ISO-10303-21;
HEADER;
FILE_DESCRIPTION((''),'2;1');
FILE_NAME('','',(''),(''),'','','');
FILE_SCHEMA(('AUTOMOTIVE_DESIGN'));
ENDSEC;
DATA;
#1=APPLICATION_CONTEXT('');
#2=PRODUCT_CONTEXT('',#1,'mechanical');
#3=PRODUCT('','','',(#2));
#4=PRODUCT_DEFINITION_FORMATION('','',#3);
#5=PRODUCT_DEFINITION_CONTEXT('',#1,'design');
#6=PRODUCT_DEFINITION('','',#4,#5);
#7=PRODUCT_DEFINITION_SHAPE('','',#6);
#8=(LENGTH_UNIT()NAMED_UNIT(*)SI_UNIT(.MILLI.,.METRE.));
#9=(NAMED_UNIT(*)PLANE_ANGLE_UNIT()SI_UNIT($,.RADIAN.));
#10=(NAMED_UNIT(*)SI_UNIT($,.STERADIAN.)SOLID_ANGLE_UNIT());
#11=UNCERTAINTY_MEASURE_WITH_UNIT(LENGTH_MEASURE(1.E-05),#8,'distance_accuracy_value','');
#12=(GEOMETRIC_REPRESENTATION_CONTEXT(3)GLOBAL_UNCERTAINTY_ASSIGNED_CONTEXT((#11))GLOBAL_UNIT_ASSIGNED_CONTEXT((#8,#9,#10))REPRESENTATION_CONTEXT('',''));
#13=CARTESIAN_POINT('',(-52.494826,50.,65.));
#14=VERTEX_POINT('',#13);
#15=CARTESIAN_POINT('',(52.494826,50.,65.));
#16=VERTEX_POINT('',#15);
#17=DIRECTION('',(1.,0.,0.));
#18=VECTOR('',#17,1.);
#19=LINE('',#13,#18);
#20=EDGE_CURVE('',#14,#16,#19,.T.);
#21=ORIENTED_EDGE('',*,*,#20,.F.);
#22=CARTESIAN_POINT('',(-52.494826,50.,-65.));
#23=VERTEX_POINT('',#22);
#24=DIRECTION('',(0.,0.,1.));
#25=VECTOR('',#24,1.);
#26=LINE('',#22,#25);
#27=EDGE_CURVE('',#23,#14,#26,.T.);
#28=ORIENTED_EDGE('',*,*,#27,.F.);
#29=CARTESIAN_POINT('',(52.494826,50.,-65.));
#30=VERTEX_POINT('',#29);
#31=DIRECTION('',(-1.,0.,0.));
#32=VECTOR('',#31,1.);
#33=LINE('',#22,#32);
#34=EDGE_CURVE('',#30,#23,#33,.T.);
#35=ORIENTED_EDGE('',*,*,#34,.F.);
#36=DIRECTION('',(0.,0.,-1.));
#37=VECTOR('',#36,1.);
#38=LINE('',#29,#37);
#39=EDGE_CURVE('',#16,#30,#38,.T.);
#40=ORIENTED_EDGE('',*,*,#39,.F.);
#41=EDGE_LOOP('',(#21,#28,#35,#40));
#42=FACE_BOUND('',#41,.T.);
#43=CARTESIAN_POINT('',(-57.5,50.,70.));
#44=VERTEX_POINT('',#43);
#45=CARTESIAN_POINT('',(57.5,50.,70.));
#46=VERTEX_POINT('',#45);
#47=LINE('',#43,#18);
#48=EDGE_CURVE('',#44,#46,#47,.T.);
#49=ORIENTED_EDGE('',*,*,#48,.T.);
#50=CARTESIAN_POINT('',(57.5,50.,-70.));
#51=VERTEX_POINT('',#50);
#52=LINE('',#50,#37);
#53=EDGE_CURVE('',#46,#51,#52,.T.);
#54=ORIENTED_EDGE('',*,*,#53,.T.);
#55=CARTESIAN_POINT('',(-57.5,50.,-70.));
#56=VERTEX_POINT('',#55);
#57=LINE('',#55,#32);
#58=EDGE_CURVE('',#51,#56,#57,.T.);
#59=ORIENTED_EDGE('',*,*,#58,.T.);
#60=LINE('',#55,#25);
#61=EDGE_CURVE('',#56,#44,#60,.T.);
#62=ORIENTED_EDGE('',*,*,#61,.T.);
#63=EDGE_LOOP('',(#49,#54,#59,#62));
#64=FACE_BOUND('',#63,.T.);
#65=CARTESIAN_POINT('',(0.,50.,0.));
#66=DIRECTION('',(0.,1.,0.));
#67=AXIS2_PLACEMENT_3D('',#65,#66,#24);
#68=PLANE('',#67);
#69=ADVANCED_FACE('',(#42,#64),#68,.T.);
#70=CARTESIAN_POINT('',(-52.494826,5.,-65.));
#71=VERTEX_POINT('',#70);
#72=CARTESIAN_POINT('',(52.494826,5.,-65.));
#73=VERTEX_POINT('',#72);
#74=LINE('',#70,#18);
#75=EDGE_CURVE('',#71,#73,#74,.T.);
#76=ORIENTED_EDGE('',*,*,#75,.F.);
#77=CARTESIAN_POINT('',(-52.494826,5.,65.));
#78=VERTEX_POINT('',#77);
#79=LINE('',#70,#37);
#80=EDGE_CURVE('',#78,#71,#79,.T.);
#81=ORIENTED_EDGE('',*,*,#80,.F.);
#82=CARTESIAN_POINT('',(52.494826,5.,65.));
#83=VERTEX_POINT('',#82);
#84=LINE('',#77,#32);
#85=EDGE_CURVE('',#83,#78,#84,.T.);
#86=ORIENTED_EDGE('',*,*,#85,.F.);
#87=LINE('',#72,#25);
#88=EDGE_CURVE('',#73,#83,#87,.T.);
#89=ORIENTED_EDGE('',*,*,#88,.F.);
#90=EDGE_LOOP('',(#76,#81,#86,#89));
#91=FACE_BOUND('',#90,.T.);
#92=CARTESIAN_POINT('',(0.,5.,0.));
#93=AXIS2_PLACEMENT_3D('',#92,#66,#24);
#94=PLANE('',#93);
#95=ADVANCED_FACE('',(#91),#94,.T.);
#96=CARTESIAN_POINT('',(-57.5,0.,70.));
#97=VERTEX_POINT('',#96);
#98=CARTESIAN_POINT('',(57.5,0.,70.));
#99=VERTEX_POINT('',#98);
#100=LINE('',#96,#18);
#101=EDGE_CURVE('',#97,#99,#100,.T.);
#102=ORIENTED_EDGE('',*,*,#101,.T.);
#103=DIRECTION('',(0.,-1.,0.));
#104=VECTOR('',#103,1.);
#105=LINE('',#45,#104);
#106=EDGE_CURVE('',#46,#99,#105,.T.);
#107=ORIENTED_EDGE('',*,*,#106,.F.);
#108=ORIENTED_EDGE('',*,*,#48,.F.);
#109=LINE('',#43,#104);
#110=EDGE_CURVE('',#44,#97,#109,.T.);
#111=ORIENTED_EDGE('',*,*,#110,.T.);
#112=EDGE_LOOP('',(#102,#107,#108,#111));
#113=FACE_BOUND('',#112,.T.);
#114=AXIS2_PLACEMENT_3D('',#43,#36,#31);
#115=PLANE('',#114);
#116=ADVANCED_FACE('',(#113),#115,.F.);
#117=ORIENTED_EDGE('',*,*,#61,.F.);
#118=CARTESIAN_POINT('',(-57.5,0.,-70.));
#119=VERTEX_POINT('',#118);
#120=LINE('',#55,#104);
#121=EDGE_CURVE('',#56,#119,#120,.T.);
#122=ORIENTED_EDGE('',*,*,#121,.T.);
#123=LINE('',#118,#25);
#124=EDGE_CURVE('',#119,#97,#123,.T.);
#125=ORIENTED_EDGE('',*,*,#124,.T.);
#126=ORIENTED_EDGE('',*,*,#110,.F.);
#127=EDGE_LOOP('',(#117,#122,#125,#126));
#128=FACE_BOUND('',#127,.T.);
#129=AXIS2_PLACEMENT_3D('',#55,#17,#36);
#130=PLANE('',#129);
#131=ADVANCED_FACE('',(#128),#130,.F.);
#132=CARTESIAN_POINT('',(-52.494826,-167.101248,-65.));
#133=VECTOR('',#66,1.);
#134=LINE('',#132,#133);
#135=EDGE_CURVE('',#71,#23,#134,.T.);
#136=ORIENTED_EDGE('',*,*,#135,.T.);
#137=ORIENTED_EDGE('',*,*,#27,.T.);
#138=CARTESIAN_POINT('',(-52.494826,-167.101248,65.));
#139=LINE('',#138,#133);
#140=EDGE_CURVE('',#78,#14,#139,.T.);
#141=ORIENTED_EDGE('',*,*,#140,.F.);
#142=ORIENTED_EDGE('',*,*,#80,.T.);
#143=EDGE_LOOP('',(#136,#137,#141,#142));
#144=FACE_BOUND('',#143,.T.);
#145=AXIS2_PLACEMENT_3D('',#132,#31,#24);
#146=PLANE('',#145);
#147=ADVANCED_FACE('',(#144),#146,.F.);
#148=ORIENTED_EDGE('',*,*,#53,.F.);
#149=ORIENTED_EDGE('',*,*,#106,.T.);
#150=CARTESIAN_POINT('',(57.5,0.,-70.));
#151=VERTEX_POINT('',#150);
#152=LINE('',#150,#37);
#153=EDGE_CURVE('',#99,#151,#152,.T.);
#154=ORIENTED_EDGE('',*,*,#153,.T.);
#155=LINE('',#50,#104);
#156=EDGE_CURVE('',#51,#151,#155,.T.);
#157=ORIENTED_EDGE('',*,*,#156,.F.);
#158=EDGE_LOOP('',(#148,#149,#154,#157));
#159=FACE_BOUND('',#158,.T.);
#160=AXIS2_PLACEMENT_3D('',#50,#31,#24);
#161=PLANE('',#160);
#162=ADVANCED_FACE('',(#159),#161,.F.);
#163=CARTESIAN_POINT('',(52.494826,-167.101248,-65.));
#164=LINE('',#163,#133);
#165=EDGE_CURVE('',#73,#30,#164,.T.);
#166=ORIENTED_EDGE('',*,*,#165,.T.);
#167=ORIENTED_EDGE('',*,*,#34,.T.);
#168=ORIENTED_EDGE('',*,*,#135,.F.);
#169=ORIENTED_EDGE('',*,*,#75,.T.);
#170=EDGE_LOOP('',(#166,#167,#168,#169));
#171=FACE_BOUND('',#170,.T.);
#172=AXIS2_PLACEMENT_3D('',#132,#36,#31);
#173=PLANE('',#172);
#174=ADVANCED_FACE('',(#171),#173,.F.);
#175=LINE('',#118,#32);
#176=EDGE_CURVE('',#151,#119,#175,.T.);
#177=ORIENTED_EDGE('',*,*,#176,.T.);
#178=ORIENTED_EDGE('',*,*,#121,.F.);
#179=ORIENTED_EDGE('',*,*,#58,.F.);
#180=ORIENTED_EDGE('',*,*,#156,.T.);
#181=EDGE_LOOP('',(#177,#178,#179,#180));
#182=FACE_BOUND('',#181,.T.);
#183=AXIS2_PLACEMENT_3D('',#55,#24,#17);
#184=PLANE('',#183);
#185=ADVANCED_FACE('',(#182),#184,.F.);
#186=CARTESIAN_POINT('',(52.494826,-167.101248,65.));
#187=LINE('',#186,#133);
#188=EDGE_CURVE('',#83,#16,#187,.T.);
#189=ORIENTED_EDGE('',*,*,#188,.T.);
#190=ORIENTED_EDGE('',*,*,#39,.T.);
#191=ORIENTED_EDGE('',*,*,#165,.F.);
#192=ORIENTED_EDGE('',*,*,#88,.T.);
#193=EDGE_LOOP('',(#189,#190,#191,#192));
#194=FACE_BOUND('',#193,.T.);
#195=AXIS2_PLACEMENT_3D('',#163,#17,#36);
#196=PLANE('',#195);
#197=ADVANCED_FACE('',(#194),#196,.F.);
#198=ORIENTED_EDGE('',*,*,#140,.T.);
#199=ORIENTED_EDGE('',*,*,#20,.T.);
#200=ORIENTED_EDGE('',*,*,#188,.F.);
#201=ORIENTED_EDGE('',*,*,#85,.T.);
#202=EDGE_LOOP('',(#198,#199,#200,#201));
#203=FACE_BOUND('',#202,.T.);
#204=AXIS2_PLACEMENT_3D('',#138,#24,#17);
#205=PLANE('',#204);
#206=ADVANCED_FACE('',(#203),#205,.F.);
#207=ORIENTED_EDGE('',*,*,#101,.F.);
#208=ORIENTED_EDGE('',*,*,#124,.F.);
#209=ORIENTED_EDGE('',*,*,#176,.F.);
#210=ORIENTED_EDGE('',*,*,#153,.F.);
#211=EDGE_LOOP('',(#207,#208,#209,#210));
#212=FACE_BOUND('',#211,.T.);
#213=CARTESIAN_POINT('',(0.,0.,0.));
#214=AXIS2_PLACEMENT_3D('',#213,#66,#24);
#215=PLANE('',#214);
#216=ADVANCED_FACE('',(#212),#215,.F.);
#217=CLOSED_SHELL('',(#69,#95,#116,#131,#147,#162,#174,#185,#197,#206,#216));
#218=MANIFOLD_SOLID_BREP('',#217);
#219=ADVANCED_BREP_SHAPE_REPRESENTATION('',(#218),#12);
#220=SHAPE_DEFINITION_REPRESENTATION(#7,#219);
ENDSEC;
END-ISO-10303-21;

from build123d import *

# Parameters (mm, degrees)
SKETCH1_W           = 115
SKETCH1_H           = 140
BOSS_EXTRUDE1_DEPTH = 50
SKETCH2_W           = 104.989652944
SKETCH2_H           = 130
CUT_EXTRUDE1_DEPTH  = 45


with BuildPart() as part:
    # Sketch1 → Boss-Extrude1 (new body)
    with BuildSketch(Plane(origin=(0, 0, 0), x_dir=(1, 0, 0), z_dir=(0, 1, 0))):
        Rectangle(SKETCH1_W, SKETCH1_H)
    extrude(amount=BOSS_EXTRUDE1_DEPTH)

    # Sketch2 → Cut-Extrude1 (cut)
    with BuildSketch(Plane(origin=(0, 50, 0), x_dir=(1, 0, 0), z_dir=(0, 1, 0))):
        Rectangle(SKETCH2_W, SKETCH2_H)
    extrude(amount=-CUT_EXTRUDE1_DEPTH, mode=Mode.SUBTRACT)


solid = part.part
